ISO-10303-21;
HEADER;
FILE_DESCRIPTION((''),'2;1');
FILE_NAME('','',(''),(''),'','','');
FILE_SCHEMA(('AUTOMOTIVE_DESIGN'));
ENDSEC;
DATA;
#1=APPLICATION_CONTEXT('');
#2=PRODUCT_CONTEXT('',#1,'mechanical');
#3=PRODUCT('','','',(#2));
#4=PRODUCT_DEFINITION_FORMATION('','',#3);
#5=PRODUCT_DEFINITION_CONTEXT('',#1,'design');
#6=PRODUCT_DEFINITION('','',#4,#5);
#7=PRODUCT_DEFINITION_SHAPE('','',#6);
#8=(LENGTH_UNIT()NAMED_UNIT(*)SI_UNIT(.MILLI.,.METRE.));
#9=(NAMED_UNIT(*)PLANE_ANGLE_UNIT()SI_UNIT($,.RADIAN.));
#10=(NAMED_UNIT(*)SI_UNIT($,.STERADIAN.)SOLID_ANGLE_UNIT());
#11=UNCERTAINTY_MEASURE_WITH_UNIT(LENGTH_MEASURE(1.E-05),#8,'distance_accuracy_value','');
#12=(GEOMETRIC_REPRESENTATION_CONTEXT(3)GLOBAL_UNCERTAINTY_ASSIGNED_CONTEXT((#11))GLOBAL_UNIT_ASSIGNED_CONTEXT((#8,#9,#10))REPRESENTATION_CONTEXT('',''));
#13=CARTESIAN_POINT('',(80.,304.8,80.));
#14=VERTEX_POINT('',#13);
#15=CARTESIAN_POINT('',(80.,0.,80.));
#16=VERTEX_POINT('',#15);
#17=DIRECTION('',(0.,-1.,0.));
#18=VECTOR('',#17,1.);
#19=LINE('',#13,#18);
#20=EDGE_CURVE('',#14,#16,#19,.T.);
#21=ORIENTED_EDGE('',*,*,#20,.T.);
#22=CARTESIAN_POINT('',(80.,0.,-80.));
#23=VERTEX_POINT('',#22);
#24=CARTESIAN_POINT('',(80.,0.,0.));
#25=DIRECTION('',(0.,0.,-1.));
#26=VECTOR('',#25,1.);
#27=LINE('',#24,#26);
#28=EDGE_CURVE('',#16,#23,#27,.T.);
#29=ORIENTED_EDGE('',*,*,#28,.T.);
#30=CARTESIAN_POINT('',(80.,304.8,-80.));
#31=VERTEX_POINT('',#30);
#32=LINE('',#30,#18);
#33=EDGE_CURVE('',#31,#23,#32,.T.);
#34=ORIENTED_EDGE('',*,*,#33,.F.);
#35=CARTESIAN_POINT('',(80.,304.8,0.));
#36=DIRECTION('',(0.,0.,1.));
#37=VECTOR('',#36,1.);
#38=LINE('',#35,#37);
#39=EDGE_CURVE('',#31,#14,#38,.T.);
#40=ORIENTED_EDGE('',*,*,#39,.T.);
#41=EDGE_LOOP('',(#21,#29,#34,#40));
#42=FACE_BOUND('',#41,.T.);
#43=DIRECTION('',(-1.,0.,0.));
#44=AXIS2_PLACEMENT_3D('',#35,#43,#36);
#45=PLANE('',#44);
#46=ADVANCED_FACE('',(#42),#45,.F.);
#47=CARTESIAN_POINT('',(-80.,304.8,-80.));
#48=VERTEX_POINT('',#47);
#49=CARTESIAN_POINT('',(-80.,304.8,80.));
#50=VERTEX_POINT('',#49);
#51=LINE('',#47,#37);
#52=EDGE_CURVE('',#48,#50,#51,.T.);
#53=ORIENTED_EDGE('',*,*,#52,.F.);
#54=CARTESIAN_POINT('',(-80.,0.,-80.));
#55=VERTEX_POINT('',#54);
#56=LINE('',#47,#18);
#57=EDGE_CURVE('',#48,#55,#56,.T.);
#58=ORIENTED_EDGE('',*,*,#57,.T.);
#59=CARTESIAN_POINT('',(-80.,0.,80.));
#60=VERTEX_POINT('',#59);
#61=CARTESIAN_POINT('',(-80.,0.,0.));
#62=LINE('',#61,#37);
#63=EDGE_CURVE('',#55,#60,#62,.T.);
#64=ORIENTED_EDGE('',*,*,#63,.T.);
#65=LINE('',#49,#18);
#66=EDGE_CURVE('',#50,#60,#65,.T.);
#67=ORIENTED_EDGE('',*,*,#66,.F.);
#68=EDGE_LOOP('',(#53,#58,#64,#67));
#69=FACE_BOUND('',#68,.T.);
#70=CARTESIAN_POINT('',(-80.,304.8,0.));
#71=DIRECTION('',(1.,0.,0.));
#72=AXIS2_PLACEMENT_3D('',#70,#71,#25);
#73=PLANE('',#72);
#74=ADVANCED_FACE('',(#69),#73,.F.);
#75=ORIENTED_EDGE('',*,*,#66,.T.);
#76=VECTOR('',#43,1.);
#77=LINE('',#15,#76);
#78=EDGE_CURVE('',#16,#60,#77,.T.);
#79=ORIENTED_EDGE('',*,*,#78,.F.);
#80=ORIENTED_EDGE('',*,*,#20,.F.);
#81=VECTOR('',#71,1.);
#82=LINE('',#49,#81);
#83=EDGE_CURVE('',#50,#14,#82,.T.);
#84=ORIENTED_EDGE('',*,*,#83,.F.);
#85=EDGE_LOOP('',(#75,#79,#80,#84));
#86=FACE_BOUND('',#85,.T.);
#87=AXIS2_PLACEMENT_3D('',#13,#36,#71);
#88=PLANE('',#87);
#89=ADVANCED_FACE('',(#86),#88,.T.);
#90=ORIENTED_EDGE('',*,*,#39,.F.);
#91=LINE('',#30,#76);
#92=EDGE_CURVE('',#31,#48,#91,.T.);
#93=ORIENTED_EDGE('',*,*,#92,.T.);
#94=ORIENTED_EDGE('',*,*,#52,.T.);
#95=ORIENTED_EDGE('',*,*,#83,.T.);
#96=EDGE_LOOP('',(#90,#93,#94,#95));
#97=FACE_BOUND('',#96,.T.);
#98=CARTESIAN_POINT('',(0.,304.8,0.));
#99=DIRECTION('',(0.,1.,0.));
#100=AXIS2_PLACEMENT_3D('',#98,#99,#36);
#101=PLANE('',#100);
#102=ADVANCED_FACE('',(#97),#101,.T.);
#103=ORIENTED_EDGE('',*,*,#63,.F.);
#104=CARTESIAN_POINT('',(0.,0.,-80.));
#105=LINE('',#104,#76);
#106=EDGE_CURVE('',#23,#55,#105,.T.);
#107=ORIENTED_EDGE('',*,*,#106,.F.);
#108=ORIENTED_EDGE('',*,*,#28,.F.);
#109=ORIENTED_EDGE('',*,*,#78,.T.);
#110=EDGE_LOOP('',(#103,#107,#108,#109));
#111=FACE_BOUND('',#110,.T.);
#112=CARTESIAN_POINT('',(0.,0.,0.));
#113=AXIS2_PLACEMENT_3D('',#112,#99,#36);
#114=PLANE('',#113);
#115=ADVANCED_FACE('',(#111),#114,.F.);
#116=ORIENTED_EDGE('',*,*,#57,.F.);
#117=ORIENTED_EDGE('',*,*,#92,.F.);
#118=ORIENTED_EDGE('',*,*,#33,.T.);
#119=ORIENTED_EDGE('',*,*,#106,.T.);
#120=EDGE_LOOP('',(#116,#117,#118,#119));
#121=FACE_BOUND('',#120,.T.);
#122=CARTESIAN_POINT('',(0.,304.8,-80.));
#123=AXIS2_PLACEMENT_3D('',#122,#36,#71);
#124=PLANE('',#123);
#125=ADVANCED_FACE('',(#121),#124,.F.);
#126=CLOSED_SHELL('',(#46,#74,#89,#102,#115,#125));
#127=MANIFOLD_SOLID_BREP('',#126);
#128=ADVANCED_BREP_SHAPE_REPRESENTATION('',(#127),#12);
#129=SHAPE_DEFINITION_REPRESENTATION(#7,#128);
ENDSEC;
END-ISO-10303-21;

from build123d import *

# Parameters (mm, degrees)
BOSS_EXTRUDE1_DEPTH = 304.8


with BuildPart() as part:
    # Sketch1 → Boss-Extrude1 (new body)
    with BuildSketch(Plane(origin=(0, 0, 0), x_dir=(1, 0, 0), z_dir=(0, 1, 0))):
        Polygon((0, 80), (-80, 80), (-80, 0), (-80, -80), (0, -80), (80, -80), (80, 0), (80, 80), align=None)
    extrude(amount=BOSS_EXTRUDE1_DEPTH)


solid = part.part
